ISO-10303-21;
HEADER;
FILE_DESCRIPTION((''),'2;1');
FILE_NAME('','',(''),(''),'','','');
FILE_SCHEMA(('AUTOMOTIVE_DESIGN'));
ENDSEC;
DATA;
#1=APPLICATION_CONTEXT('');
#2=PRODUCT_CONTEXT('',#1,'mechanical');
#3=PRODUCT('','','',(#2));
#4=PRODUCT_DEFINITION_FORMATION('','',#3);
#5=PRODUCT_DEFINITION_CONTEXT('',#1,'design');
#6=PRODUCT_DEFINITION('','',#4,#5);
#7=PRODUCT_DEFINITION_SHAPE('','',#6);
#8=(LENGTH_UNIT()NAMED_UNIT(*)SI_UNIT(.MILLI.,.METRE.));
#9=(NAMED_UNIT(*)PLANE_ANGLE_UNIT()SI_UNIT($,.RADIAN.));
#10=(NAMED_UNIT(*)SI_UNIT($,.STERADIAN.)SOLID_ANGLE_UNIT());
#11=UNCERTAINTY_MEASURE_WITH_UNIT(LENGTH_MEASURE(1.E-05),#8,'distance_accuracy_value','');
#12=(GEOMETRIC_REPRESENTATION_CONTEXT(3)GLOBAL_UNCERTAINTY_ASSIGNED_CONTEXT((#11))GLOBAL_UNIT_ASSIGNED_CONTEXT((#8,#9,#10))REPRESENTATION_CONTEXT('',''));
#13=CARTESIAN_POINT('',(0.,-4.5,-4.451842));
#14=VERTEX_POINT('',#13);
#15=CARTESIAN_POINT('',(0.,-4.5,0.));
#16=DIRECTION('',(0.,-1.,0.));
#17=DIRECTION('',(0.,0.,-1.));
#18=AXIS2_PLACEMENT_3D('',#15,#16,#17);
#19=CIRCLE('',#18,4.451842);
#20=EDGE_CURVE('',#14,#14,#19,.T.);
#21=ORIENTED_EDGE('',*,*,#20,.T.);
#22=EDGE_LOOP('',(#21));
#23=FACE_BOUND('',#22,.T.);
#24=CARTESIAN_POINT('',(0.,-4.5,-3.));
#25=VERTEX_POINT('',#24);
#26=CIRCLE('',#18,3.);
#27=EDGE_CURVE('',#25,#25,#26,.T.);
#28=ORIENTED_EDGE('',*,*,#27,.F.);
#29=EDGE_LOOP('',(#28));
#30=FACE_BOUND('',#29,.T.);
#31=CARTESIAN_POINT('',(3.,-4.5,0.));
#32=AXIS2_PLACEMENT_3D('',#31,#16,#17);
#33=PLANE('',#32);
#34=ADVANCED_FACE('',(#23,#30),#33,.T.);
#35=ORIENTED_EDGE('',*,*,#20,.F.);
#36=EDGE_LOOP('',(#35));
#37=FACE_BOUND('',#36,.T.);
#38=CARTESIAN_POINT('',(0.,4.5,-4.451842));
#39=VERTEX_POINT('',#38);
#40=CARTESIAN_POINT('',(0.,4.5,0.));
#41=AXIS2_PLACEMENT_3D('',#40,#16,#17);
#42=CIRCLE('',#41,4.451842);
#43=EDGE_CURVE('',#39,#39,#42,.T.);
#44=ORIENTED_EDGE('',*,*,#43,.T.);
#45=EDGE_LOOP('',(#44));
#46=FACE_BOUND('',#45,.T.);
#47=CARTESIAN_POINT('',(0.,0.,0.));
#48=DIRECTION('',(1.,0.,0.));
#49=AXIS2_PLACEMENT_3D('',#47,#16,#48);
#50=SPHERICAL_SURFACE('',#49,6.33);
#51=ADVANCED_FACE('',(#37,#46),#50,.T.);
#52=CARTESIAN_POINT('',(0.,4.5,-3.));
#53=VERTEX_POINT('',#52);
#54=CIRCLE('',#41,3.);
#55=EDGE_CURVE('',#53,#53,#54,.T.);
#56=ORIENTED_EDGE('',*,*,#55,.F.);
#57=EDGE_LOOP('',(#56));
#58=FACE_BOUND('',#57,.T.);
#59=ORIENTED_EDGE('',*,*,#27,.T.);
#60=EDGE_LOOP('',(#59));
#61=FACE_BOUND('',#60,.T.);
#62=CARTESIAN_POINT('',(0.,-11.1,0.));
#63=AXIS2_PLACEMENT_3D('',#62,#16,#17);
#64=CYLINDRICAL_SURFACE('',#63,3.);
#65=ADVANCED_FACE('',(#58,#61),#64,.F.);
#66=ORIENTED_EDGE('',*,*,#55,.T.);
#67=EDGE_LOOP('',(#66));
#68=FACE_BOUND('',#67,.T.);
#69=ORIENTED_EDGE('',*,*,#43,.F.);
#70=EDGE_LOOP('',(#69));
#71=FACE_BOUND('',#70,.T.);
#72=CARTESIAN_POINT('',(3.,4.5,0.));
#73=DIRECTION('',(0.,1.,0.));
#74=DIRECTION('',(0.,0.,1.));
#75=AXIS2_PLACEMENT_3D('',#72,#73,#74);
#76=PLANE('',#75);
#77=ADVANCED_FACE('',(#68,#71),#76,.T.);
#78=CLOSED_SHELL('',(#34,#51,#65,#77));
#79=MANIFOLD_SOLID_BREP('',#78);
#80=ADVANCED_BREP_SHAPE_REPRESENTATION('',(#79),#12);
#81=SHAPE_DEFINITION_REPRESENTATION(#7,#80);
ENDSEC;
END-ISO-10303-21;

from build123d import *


with BuildPart() as part:
    # Szkic1 → Obrót1 (revolve)
    with BuildSketch(Plane.XY):
        with BuildLine():
            Line((3, -4.5), (3, 4.5))
            Line((3, 4.5), (4.451842315, 4.5))
            ThreePointArc((4.451842315, 4.5), (6.33, 0), (4.451842315, -4.5))
            Line((4.451842315, -4.5), (3, -4.5))
        make_face()
    revolve(axis=Axis((0, -11.1, 0), (0, 1, 0)))


solid = part.part
